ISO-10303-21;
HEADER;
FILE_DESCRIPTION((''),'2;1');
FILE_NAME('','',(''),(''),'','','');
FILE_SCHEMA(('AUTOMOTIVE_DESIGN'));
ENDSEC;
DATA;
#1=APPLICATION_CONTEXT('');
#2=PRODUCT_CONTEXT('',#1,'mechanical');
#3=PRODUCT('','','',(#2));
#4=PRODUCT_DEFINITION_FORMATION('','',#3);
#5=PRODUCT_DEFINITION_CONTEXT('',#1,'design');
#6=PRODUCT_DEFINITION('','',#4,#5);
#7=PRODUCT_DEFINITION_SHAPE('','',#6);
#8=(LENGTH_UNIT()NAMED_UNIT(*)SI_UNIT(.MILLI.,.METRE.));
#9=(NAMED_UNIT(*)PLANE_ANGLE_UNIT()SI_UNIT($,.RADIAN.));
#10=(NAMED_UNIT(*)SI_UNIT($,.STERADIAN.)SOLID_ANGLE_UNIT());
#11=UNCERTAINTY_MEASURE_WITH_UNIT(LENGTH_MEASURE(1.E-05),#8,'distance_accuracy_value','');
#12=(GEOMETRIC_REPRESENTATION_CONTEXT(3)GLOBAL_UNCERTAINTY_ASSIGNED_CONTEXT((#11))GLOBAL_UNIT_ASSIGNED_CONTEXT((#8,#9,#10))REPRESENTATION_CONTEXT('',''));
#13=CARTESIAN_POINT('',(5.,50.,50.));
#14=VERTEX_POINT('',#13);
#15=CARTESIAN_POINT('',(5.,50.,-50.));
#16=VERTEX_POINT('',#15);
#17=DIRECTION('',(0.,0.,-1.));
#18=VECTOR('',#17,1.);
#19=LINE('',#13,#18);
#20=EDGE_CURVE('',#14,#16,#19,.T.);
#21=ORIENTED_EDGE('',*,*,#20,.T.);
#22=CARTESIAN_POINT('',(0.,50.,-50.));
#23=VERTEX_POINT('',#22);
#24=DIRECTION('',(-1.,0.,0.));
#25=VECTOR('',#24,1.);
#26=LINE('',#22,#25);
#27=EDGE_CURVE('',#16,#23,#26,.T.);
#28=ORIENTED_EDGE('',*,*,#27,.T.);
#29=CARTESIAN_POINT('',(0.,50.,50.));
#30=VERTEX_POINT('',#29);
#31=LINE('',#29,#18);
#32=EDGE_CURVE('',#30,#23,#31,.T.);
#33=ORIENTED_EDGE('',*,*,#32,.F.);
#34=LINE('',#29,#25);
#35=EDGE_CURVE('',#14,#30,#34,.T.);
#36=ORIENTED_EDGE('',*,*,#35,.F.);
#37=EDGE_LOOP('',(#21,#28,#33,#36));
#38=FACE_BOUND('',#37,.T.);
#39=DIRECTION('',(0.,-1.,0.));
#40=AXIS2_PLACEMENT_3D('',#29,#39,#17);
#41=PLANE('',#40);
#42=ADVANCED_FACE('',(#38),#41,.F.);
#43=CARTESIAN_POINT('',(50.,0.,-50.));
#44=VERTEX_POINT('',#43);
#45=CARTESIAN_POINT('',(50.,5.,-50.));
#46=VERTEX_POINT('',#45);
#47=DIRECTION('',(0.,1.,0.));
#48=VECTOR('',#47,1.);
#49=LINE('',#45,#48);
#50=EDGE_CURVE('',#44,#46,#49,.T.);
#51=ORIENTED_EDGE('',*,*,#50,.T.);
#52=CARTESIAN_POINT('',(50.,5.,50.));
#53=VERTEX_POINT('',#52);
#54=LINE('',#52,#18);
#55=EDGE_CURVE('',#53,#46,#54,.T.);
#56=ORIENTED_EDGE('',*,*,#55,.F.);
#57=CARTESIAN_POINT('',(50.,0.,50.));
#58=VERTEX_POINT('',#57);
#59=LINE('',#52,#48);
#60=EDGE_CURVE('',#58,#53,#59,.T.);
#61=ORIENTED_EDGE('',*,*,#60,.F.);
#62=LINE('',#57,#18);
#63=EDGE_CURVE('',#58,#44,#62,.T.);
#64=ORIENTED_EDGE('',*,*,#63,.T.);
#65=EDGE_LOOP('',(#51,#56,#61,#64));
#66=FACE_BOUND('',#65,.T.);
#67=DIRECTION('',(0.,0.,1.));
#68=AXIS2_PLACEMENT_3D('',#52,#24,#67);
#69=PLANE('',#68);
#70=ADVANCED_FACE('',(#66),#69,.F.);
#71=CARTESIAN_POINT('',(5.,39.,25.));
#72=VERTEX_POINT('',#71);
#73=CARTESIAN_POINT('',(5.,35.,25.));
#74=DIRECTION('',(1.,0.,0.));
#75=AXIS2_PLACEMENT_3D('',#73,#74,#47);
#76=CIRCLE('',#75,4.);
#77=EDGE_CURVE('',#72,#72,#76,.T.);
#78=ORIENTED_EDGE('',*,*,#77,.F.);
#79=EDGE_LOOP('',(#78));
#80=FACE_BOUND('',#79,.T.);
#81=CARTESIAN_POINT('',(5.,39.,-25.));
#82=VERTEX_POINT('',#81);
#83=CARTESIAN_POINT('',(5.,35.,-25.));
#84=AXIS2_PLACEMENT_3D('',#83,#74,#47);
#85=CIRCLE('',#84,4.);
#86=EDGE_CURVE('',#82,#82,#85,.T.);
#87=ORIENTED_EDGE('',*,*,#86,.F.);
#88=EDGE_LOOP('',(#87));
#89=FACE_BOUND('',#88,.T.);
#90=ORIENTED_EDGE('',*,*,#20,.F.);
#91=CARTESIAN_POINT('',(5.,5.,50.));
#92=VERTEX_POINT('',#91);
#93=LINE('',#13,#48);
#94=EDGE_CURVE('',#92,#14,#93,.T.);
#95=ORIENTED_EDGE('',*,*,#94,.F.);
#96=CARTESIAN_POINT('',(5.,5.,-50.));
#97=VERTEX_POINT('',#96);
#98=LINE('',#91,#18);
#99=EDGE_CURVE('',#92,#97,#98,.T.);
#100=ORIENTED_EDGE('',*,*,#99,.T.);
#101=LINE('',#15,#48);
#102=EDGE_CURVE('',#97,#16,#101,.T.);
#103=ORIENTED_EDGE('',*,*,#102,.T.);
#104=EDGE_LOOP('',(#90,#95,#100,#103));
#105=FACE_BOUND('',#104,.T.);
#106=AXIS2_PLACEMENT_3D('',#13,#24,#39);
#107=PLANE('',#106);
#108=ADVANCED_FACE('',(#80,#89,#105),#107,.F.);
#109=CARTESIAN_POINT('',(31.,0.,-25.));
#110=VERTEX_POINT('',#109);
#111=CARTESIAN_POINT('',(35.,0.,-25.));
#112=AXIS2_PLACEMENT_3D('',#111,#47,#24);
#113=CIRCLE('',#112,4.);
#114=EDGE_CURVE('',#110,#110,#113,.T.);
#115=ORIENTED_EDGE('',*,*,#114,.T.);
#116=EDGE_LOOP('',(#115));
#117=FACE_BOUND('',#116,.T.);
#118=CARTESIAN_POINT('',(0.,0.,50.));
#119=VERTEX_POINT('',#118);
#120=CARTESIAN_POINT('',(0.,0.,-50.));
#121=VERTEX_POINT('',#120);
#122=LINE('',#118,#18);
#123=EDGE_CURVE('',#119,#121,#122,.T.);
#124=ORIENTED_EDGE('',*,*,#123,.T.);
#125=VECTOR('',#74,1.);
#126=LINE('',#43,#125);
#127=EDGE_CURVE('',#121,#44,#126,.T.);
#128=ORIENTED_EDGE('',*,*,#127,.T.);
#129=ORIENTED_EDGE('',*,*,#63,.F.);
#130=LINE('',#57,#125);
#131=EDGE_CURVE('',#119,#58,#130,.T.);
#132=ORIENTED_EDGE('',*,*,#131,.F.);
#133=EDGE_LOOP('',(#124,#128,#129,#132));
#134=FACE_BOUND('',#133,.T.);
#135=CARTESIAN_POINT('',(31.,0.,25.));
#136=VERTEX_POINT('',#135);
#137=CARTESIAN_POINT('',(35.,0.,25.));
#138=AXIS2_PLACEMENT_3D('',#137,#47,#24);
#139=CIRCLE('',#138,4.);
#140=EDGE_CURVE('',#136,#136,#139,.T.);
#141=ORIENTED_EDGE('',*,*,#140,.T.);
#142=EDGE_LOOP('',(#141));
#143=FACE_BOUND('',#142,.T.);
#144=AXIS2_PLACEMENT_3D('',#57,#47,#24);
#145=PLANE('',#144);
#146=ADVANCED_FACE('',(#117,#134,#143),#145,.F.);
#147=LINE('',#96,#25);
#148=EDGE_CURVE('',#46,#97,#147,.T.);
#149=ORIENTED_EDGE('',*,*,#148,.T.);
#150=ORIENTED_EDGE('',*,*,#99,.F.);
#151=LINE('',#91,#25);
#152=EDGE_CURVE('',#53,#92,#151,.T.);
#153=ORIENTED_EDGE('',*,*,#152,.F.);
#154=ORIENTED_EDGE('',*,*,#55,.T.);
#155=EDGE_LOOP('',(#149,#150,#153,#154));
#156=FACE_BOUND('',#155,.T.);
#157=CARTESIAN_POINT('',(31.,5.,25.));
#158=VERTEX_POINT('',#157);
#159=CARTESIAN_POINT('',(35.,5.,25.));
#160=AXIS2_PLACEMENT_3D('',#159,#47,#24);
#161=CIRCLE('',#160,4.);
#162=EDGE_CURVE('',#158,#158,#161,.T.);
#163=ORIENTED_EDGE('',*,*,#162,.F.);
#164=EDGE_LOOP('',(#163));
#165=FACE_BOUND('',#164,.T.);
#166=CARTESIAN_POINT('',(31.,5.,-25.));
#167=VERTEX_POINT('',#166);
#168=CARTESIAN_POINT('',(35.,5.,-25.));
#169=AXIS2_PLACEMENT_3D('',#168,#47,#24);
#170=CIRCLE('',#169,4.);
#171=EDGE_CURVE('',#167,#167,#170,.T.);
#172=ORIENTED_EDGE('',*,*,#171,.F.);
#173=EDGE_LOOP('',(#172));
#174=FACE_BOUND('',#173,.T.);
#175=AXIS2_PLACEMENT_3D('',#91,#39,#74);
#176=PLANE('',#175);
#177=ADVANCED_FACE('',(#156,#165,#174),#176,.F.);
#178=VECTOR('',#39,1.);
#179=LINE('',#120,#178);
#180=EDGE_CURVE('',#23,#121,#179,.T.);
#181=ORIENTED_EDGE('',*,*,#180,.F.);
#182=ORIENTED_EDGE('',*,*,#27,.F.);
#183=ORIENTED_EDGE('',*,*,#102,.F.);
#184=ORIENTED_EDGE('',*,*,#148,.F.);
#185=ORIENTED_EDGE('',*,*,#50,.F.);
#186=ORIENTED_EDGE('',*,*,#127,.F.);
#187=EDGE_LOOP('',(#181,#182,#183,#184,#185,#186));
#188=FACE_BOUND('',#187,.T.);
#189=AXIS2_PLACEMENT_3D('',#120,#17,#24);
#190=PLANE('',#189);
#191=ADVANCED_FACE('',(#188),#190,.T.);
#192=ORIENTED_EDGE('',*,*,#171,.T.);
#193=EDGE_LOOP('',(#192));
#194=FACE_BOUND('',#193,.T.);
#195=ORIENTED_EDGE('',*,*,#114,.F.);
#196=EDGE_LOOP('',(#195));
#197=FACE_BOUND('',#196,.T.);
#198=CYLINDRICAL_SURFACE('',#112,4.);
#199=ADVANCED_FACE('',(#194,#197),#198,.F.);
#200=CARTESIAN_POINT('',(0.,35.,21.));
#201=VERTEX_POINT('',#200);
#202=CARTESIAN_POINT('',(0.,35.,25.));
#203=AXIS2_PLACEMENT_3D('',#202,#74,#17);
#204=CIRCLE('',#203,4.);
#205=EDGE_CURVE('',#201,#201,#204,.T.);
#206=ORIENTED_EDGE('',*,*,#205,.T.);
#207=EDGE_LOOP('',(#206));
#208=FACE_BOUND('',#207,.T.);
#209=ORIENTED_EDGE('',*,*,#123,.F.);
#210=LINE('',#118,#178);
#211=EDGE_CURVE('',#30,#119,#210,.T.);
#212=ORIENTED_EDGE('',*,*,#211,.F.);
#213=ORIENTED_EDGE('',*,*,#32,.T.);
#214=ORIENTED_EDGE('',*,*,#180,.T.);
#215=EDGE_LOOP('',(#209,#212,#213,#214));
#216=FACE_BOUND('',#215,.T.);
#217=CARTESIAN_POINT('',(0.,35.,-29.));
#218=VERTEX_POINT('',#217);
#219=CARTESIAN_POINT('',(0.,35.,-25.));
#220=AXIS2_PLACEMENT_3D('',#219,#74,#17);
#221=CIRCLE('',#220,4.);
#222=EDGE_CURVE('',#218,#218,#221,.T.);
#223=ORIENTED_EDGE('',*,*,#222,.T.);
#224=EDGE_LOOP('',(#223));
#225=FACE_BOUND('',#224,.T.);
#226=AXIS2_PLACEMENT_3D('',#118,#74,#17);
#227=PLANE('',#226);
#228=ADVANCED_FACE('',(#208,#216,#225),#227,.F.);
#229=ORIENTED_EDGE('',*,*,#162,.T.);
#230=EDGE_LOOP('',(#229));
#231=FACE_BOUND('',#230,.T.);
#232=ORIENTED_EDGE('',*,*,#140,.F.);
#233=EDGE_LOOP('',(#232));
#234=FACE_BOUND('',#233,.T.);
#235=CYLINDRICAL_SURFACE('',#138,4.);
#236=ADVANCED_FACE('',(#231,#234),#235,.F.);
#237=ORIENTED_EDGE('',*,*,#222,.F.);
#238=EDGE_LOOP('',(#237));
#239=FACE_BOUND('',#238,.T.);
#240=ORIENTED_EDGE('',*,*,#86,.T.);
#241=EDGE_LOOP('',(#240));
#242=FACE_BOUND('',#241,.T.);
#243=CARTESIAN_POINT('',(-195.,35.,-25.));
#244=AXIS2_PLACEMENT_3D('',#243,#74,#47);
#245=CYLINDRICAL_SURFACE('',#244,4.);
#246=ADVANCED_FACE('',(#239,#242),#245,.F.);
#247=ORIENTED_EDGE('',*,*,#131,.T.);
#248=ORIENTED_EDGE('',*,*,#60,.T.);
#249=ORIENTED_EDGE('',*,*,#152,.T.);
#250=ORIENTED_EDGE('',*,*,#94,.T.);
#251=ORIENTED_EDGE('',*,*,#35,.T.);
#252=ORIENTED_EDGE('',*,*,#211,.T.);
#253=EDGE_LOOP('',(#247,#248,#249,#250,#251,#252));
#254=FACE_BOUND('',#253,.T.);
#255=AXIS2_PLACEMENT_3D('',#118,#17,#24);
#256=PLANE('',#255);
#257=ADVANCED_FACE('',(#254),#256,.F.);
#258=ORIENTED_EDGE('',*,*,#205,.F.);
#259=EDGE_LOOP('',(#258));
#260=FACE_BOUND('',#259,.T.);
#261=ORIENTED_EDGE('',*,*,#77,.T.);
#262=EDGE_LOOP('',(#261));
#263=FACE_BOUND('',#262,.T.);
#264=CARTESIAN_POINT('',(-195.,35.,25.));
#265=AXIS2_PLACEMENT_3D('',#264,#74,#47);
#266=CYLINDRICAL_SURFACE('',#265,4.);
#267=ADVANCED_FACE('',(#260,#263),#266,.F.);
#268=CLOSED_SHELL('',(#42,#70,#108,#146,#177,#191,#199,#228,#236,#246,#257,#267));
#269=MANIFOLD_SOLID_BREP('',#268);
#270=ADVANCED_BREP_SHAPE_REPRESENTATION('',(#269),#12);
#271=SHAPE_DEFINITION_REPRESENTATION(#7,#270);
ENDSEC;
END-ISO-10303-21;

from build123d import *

# Parameters (mm, degrees)
BOSS_EXTRUDE1_DEPTH = 50
SKETCH3_R           = 4
CUT_EXTRUDE1_DEPTH  = 84.815273071
SKETCH2_R           = 4
CUT_EXTRUDE2_DEPTH  = 200


with BuildPart() as part:
    # Sketch1 → Boss-Extrude1 (new, symmetric)
    with BuildSketch(Plane.XY):
        Polygon((0, 50), (5, 50), (5, 5), (50, 5), (50, 0), (0, 0), align=None)
    extrude(amount=BOSS_EXTRUDE1_DEPTH, both=True)

    # Sketch3 → Cut-Extrude1 (cut, through all)
    with BuildSketch(Plane(origin=(0, 5, 0), x_dir=(1, 0, 0), z_dir=(0, 1, 0))):
        with Locations(Location((35, 25, 0), (0, 0, 180))):
            Circle(SKETCH3_R)
        with Locations(Location((35, -25, 0), (0, 0, 180))):
            Circle(SKETCH3_R)
    extrude(amount=-CUT_EXTRUDE1_DEPTH, mode=Mode.SUBTRACT)

    # Sketch2 → Cut-Extrude2 (cut)
    with BuildSketch(Plane(origin=(5, 0, 0), x_dir=(0, 0, -1), z_dir=(1, 0, 0))):
        with Locations(Location((-25, 35, 0), (0, 0, 90))):
            Circle(SKETCH2_R)
        with Locations(Location((25, 35, 0), (0, 0, 90))):
            Circle(SKETCH2_R)
    extrude(amount=-CUT_EXTRUDE2_DEPTH, mode=Mode.SUBTRACT)


solid = part.part
